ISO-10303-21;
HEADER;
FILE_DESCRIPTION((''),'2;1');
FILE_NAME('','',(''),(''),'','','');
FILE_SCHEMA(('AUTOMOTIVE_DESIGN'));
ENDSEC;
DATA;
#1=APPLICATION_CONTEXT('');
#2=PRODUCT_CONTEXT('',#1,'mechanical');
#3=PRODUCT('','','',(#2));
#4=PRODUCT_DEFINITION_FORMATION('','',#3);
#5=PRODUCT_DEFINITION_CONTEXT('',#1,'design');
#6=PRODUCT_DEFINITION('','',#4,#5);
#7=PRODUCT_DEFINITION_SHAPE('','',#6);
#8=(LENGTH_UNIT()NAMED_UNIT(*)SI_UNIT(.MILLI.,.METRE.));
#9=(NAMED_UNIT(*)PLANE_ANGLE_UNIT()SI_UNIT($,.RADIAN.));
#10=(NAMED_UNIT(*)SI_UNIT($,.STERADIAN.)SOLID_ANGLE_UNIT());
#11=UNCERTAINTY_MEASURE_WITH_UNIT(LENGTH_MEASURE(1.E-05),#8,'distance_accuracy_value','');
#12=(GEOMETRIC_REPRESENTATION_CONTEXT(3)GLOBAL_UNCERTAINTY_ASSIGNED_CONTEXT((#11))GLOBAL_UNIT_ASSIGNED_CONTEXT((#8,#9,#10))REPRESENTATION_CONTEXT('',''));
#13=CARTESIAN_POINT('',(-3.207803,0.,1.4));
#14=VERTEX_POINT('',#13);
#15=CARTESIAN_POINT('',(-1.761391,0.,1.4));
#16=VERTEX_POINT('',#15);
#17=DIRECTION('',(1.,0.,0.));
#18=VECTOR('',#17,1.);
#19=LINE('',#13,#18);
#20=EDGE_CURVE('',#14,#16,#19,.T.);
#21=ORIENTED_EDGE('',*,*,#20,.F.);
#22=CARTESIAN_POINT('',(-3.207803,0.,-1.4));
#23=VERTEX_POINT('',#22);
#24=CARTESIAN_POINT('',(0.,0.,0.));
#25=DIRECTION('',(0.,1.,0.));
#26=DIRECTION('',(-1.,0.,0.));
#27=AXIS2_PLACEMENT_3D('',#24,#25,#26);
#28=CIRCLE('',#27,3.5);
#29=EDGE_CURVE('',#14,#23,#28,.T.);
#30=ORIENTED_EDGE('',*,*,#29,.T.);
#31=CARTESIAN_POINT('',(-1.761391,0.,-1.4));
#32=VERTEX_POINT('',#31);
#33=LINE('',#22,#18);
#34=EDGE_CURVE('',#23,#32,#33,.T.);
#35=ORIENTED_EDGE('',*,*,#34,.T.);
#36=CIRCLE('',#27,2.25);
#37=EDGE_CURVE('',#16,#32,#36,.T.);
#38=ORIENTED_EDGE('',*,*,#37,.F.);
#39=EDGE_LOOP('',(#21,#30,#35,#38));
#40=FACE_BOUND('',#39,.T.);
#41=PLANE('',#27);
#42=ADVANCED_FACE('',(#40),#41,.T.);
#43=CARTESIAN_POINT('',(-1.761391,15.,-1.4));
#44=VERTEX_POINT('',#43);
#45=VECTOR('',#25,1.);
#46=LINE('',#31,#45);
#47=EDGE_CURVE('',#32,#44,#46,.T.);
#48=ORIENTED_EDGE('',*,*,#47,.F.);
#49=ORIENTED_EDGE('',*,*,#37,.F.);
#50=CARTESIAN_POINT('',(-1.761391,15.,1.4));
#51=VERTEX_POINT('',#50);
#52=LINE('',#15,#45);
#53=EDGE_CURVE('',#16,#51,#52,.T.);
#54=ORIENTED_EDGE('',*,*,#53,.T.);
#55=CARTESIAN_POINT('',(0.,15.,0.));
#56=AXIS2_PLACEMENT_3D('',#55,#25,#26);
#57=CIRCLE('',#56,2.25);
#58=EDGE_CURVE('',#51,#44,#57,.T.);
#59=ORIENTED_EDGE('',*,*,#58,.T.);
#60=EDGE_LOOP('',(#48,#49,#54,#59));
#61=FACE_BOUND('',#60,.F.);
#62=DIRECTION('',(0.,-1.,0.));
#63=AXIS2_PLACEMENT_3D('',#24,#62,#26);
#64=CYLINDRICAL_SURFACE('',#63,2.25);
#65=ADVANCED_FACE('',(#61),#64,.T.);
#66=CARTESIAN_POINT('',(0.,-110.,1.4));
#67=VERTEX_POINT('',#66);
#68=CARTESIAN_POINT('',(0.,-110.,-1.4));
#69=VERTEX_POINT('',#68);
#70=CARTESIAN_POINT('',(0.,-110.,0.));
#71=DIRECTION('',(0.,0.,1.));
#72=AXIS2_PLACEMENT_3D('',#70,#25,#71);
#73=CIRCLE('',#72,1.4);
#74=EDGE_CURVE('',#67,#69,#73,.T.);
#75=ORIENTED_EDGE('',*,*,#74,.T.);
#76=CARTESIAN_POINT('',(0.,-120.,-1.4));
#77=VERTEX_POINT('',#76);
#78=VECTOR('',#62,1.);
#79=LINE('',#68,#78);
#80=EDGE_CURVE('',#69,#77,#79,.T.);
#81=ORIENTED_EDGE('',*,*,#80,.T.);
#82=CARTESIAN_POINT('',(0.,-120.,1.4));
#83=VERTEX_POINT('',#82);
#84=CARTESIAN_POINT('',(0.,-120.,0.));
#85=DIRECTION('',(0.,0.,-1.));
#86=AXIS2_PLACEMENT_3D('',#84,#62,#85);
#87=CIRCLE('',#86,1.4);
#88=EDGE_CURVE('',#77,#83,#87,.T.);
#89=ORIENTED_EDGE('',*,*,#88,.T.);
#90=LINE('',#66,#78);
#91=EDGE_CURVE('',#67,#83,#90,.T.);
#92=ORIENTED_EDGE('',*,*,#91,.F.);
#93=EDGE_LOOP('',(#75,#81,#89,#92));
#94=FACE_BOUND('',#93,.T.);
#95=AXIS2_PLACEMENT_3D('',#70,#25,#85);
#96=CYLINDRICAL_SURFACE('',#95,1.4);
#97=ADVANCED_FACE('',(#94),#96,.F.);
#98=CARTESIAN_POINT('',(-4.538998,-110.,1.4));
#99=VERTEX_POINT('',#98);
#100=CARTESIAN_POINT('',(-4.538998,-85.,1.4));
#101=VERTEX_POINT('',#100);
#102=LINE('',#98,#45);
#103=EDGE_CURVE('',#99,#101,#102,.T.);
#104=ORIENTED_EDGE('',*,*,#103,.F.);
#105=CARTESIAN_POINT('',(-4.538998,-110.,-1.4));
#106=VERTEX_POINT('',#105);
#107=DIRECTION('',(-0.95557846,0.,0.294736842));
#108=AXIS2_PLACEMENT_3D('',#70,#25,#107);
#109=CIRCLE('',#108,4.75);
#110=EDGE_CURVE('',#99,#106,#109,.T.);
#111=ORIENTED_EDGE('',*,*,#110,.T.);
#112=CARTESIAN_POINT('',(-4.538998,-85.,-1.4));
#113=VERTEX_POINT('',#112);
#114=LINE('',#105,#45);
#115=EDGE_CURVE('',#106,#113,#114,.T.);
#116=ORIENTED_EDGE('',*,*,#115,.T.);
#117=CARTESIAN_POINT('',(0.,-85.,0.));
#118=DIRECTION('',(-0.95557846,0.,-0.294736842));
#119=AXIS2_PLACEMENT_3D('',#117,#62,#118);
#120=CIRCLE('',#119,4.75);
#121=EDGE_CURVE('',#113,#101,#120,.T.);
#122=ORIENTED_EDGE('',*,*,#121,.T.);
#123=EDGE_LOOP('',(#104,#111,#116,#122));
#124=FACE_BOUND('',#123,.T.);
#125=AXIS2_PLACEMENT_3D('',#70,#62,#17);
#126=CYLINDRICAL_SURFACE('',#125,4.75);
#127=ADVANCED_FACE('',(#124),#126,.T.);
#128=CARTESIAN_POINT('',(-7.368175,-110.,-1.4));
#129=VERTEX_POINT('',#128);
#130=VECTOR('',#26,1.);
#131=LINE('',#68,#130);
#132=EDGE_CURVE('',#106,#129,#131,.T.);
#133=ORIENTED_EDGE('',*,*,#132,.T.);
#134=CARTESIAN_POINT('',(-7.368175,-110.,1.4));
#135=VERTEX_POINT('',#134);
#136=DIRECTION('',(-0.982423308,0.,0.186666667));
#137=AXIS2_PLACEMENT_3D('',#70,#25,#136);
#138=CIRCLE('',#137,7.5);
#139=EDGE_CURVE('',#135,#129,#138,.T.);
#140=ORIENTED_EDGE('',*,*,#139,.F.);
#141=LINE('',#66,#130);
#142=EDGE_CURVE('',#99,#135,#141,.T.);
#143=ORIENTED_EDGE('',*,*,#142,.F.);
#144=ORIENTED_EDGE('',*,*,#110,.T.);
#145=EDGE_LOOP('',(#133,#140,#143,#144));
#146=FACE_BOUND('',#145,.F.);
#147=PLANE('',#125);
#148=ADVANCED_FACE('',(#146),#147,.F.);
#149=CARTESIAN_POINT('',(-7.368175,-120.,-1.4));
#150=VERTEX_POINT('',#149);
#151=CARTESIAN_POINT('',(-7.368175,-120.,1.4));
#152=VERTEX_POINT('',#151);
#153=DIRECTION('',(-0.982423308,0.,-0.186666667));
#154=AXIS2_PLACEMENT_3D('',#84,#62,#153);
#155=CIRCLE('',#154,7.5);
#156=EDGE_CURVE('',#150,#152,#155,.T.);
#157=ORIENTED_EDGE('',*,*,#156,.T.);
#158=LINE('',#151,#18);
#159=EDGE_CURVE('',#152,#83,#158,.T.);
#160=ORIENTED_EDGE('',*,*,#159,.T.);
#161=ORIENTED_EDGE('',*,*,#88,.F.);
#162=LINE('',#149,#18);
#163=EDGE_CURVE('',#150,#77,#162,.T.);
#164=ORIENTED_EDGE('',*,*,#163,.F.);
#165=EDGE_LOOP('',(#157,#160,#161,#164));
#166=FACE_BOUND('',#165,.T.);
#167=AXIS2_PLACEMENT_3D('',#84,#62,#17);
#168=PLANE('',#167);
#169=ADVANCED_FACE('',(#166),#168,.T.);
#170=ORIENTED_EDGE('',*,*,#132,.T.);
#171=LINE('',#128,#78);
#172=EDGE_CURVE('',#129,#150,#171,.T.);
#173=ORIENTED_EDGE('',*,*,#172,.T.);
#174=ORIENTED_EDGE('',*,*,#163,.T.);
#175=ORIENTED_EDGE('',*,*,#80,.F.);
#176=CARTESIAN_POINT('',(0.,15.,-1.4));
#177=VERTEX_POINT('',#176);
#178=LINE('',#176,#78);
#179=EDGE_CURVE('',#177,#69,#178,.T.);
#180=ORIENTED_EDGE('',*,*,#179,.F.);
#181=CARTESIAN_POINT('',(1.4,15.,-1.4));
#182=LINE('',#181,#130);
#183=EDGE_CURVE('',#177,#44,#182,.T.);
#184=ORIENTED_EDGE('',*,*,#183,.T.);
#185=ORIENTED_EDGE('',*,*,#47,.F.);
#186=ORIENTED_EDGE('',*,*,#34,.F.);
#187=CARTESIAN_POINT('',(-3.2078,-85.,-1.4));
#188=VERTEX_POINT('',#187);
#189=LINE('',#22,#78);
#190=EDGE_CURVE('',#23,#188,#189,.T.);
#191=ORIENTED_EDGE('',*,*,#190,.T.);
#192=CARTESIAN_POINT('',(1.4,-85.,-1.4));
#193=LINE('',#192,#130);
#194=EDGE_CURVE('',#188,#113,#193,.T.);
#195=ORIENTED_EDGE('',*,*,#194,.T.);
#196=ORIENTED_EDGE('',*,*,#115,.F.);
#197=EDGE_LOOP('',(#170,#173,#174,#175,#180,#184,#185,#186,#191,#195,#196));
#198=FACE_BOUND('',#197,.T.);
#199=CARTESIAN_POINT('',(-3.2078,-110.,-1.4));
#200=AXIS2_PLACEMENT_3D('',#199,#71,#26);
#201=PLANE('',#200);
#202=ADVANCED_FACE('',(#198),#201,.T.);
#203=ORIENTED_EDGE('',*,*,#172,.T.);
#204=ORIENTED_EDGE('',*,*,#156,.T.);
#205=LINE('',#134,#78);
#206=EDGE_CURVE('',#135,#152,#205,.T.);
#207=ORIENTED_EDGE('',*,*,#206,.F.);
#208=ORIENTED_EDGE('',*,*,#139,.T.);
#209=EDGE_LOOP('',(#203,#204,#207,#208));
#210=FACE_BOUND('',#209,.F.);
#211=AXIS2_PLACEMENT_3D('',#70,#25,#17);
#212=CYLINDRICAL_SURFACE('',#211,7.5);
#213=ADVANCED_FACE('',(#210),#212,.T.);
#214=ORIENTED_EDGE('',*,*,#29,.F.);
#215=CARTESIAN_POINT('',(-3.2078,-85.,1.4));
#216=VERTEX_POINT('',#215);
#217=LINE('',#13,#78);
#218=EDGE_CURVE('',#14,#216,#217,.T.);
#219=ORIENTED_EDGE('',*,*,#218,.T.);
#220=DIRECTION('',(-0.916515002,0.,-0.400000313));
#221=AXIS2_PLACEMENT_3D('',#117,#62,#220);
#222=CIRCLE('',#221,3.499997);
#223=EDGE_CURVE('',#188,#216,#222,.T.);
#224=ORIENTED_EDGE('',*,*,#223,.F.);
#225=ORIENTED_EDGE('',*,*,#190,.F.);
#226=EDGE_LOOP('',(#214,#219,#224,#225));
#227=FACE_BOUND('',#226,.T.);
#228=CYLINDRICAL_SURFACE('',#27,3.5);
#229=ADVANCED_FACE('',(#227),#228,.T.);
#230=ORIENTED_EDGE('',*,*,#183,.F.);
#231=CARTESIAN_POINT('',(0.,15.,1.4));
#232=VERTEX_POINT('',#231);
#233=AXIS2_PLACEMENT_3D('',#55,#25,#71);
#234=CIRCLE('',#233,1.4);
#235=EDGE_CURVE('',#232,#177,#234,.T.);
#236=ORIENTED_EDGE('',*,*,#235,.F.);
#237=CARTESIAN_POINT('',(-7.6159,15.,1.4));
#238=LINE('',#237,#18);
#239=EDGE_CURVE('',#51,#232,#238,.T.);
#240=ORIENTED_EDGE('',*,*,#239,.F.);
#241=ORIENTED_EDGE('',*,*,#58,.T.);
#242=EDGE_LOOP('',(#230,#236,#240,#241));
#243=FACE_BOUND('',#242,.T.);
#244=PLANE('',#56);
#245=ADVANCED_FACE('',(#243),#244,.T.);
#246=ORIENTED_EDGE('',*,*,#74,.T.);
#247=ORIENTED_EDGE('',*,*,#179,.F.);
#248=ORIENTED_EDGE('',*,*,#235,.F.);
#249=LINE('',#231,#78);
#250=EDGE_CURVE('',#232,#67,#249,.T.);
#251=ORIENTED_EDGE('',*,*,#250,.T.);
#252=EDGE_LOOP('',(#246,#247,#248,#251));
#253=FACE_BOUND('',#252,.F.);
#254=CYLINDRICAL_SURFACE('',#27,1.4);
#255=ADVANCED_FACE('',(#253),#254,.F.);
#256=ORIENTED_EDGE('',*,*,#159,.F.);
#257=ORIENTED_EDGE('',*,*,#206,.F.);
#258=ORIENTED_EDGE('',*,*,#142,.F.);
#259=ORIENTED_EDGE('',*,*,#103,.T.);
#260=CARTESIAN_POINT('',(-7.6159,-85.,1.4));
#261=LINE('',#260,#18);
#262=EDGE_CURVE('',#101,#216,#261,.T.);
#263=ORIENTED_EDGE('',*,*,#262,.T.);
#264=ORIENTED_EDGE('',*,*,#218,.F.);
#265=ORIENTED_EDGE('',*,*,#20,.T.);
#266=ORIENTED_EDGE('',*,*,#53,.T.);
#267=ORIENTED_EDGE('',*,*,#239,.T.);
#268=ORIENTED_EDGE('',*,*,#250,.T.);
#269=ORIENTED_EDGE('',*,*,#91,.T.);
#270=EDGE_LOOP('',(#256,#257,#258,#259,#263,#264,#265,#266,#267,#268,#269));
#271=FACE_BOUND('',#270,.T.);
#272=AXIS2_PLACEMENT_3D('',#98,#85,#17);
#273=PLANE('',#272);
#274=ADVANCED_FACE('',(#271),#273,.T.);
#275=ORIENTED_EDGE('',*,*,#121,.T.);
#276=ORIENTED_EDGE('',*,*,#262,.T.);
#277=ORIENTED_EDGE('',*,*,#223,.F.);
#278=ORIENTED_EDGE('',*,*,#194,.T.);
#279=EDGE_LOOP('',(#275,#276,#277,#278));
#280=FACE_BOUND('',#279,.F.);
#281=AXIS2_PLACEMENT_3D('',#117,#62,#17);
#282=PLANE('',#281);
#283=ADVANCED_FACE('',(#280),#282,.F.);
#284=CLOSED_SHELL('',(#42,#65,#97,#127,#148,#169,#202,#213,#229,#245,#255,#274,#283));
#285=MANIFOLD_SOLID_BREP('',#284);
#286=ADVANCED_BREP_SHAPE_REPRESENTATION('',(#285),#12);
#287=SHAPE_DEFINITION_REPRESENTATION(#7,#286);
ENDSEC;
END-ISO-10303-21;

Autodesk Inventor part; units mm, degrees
ref_plane "YZ Plane" through (0, 0, 0) normal (1, 0, 0) x (0, 1, 0)
ref_plane "XZ Plane" through (0, 0, 0) normal (0, 1, 0) x (-1, 0, 0)
ref_plane "XY Plane" through (0, 0, 0) normal (0, 0, 1) x (1, 0, 0)
sketch "Sketch1" plane through (0, 0, 0) normal (0, 1, 0) x (-1, 0, 0)
  circle A0 centre (0, 0) radius 3.5
  circle A1 centre (0, 0) radius 2.25
  circle A2 centre (0, 0) radius 1.4
  line L0 (0, 0) -> (-1.4, 0)
  line L1 (-1.4, 0) -> (-1.4, -1.4)
  line L2 (-1.4, -1.4) -> (0, -1.4)
  line L3 (0, -1.4) -> (0, 0)
  line L4 (-1.4, -1.4) -> (7.6159, -1.4)
  line L5 (7.6159, -1.4) -> (7.6159, 1.4)
  line L6 (7.6159, 1.4) -> (-1.4, 1.4)
  line L7 (-1.4, 1.4) -> (-1.4, -1.4)
  point P0 (0, 1.4)
  point P1 (3.2078, 1.4)
  point P2 (3.2078, -1.4)
  point P3 (1.7614, 1.4)
  point P4 (1.7614, -1.4)
  dimension "d0" = 7
  dimension "d1" = 4.5
  dimension "d6" = 2.8
extrude "Extrusion1" add sketch "Sketch1" against normal blind 110 contours L6 A1 L4 A0 | L6 L7 L1 L2 L4 A1 | A2 L7 L6 | L2 L1 A2 picked at (2.5783, 1.6484)
extrude "Extrusion2" add sketch "Sketch1" along normal blind 15 contours L6 L7 L1 L2 L4 A1 | A2 L7 L6 | L2 L1 A2
sketch "Sketch2" plane through (0, -110, 0) normal (0, -1, 0) x (1, 0, 0)
  circle A0 centre (0, 0) radius 4.75
  circle A1 centre (0, 0) radius 7.5
  arc A2 (-3.2078, -1.4) -> (-3.2078, 1.4) centre (0, 0) ccw projected
  line L0 (-3.2078, 1.4) -> (0, 1.4) projected
  arc A3 (0, -1.4) -> (0, 1.4) centre (0, 0) ccw projected
  line L1 (0, -1.4) -> (-3.2078, -1.4) projected
  line L2 (1.4, -1.4) -> (-7.6159, -1.4) projected
  line L3 (-7.6159, 1.4) -> (1.4, 1.4) projected
  point P0 (-4.539, 1.4)
  point P1 (-4.539, -1.4)
  point P2 (-7.3682, 1.4)
  point P3 (-7.3682, -1.4)
  dimension "d7" = 9.5
  dimension "d8" = 15
extrude "Extrusion3" add sketch "Sketch2" against normal blind 25 contours A0 L2 A2 L3
extrude "Extrusion4" add sketch "Sketch2" along normal blind 10 contours A0 L2 A2 L3 | A0 L3 A1 L2 | A2 L1 A3 L0 picked at (6.4638, 0.9807)
properties part number "Norhof wire channel top"
